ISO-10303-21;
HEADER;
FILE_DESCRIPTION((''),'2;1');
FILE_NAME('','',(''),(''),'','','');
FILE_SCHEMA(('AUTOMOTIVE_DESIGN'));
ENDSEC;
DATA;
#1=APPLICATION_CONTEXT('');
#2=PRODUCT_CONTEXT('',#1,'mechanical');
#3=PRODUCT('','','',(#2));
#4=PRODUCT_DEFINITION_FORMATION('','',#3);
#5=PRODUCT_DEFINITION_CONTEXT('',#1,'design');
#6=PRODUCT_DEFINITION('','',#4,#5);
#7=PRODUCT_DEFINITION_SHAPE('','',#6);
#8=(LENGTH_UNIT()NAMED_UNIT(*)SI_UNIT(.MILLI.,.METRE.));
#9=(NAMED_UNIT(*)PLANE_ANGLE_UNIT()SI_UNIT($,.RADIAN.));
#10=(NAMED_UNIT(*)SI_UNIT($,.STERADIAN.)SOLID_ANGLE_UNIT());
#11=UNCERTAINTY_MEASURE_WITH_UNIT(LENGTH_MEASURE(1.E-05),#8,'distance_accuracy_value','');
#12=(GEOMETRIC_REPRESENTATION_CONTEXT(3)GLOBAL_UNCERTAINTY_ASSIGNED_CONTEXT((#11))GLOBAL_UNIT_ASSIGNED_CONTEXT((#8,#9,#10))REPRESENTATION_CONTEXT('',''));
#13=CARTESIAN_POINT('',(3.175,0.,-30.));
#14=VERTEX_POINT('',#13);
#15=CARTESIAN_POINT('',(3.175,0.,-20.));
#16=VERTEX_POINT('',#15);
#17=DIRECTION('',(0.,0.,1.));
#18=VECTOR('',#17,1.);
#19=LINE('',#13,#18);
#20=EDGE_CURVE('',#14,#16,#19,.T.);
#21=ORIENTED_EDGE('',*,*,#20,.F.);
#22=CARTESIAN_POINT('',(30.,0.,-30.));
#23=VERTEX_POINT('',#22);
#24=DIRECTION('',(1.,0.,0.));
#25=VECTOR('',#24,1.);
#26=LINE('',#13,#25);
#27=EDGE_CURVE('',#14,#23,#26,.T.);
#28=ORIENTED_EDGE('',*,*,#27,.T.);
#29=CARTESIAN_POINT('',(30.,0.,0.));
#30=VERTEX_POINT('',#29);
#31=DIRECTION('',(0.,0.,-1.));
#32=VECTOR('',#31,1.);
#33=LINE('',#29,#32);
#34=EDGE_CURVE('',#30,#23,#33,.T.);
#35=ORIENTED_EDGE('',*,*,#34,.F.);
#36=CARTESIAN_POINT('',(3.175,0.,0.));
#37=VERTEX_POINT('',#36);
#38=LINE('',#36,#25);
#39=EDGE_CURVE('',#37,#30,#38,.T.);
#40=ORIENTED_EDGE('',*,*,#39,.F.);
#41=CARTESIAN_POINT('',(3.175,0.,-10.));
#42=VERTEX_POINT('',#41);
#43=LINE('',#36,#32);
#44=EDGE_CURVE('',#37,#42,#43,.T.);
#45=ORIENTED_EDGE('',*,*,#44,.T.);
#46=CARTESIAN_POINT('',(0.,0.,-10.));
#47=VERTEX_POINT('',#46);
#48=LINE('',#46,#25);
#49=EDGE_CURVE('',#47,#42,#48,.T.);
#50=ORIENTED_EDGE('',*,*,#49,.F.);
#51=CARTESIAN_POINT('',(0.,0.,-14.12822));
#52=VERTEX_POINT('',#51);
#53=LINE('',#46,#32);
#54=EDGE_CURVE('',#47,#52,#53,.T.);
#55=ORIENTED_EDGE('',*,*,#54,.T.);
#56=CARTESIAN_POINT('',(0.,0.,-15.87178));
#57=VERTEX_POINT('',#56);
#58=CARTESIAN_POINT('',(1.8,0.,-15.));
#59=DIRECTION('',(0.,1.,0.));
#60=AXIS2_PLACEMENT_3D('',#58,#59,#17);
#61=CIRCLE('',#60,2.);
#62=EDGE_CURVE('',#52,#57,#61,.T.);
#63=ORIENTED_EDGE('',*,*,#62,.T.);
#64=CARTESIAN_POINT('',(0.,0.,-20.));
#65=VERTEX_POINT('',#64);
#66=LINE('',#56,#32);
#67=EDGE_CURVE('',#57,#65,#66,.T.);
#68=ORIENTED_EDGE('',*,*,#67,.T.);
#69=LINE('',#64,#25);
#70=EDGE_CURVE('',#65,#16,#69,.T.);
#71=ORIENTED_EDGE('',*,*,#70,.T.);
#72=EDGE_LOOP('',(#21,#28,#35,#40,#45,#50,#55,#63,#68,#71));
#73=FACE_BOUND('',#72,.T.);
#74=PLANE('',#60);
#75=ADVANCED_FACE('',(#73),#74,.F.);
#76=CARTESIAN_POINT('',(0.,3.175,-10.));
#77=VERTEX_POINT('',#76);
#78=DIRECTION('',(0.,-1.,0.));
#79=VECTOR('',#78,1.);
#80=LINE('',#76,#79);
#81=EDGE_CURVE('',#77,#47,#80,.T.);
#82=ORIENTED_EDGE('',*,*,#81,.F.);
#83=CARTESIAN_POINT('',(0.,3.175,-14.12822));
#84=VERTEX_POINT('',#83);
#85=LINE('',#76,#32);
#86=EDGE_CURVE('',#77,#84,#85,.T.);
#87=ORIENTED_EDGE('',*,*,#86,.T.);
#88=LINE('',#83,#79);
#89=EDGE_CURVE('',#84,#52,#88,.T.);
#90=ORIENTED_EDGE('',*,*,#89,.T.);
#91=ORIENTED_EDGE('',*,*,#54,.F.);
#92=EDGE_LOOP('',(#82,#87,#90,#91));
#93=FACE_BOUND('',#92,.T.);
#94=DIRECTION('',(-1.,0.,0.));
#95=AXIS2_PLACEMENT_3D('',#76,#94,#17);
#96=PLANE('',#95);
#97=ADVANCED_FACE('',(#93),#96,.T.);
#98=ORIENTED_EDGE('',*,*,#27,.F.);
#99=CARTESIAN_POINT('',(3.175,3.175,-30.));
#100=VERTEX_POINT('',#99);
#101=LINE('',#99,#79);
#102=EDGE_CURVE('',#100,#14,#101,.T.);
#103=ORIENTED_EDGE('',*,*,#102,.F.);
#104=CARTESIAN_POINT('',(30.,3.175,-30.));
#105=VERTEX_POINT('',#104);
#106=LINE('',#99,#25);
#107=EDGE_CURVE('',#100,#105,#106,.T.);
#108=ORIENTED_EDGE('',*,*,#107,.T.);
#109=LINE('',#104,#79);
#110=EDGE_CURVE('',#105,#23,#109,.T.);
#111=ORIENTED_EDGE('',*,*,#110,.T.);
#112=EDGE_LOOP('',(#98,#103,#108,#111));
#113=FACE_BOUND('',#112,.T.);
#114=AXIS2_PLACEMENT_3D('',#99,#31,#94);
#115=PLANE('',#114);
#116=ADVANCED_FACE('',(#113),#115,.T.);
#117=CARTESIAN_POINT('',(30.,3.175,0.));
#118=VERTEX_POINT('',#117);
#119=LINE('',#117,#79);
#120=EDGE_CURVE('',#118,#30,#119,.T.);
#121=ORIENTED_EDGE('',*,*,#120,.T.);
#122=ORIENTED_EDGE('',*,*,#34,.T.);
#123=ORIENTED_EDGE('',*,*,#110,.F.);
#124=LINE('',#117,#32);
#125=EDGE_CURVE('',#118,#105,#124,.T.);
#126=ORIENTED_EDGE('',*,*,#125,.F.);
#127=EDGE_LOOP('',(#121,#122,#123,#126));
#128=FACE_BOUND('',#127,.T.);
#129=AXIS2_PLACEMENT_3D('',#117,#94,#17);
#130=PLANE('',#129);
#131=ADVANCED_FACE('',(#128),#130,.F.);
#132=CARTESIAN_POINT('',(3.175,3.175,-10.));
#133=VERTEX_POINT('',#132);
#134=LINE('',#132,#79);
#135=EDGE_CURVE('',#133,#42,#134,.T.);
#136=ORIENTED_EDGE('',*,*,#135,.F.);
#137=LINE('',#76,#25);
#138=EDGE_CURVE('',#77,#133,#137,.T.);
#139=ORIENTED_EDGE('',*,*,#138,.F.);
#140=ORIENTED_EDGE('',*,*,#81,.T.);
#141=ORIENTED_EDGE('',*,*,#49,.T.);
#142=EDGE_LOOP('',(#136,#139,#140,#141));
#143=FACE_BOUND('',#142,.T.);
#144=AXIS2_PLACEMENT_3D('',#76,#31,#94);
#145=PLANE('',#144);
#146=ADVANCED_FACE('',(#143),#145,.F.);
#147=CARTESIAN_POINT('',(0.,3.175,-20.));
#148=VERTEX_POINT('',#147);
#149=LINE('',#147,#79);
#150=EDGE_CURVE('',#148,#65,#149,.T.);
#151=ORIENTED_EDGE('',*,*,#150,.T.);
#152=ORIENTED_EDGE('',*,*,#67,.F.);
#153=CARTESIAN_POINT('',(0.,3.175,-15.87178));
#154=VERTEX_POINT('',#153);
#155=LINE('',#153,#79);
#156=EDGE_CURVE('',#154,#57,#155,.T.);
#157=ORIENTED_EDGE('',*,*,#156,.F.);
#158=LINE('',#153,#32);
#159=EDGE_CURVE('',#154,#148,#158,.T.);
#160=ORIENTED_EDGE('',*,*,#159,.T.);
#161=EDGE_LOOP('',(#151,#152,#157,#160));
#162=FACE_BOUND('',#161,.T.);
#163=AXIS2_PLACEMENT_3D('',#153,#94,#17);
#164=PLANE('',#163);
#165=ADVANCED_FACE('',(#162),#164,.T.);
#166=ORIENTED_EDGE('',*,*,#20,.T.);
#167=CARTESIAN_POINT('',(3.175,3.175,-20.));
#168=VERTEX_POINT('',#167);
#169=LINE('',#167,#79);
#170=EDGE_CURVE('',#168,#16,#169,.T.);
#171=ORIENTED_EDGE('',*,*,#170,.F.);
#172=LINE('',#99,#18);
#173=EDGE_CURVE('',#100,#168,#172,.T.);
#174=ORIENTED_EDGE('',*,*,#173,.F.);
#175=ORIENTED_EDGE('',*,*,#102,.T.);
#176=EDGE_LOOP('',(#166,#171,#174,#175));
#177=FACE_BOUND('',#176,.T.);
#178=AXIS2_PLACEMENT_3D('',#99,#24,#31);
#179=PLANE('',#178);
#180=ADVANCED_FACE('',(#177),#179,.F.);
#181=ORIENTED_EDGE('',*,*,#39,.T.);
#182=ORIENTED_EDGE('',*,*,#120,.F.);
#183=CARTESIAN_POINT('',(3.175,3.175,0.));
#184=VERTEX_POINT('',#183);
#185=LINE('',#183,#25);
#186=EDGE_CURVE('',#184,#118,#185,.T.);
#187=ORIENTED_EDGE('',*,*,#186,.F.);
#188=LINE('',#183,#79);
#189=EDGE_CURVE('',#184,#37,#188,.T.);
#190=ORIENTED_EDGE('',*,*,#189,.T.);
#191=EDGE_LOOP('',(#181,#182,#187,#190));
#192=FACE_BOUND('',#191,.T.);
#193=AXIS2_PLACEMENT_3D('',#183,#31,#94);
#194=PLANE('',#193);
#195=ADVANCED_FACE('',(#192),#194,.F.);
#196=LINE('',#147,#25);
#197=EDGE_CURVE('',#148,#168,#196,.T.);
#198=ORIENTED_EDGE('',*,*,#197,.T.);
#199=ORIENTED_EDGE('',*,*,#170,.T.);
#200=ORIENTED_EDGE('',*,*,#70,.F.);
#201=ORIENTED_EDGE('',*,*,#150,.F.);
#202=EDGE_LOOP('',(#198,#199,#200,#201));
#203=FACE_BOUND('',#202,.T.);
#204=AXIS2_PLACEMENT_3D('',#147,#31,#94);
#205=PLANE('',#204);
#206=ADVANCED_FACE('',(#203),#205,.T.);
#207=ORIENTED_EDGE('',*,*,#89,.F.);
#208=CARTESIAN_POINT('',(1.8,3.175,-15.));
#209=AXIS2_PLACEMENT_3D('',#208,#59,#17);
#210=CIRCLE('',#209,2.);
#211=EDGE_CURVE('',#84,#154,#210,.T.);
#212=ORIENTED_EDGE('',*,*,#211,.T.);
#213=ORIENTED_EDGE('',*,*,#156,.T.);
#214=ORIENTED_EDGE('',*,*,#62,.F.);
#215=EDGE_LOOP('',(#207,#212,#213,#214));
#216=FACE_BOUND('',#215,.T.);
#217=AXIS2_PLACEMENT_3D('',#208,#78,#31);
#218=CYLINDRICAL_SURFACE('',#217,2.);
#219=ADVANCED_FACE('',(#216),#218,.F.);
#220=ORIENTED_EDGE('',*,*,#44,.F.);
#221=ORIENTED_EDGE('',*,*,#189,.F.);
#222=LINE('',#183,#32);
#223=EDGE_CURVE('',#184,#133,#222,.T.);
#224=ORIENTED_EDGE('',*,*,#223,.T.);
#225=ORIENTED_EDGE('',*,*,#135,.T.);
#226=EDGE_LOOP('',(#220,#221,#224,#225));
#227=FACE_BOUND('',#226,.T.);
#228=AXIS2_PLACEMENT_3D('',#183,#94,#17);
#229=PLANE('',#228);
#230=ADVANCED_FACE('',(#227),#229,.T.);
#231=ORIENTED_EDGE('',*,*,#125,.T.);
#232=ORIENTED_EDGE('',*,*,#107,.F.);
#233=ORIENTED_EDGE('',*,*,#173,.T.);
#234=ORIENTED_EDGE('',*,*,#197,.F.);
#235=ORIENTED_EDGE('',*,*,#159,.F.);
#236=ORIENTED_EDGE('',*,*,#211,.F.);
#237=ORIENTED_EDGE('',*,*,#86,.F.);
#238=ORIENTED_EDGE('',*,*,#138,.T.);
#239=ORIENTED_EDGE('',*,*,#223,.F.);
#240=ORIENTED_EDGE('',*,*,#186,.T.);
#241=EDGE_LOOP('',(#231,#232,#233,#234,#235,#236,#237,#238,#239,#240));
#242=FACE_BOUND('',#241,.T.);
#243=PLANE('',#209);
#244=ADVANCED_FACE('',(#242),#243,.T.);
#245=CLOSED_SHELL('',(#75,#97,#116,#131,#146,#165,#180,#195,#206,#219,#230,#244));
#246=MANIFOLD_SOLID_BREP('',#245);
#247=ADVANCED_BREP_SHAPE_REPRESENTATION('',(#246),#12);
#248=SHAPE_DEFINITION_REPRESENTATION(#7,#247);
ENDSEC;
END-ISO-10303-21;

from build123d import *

# Parameters (mm, degrees)
BOSS_EXTRUDE1_DEPTH = 3.175


with BuildPart() as part:
    # Sketch1 → Boss-Extrude1 (new body)
    with BuildSketch(Plane(origin=(0, 0, 0), x_dir=(1, 0, 0), z_dir=(0, 1, 0))):
        with BuildLine():
            Line((0, 15.871779789), (0, 20))
            Line((0, 20), (3.175, 20))
            Line((3.175, 20), (3.175, 30))
            Line((3.175, 30), (30, 30))
            Line((30, 30), (30, 0))
            Line((30, 0), (3.175, 0))
            Line((3.175, 0), (3.175, 10))
            Line((3.175, 10), (0, 10))
            Line((0, 10), (0, 14.128220211))
            ThreePointArc((0, 14.128220211), (3.8, 15), (0, 15.871779789))
        make_face()
    extrude(amount=BOSS_EXTRUDE1_DEPTH)


solid = part.part
